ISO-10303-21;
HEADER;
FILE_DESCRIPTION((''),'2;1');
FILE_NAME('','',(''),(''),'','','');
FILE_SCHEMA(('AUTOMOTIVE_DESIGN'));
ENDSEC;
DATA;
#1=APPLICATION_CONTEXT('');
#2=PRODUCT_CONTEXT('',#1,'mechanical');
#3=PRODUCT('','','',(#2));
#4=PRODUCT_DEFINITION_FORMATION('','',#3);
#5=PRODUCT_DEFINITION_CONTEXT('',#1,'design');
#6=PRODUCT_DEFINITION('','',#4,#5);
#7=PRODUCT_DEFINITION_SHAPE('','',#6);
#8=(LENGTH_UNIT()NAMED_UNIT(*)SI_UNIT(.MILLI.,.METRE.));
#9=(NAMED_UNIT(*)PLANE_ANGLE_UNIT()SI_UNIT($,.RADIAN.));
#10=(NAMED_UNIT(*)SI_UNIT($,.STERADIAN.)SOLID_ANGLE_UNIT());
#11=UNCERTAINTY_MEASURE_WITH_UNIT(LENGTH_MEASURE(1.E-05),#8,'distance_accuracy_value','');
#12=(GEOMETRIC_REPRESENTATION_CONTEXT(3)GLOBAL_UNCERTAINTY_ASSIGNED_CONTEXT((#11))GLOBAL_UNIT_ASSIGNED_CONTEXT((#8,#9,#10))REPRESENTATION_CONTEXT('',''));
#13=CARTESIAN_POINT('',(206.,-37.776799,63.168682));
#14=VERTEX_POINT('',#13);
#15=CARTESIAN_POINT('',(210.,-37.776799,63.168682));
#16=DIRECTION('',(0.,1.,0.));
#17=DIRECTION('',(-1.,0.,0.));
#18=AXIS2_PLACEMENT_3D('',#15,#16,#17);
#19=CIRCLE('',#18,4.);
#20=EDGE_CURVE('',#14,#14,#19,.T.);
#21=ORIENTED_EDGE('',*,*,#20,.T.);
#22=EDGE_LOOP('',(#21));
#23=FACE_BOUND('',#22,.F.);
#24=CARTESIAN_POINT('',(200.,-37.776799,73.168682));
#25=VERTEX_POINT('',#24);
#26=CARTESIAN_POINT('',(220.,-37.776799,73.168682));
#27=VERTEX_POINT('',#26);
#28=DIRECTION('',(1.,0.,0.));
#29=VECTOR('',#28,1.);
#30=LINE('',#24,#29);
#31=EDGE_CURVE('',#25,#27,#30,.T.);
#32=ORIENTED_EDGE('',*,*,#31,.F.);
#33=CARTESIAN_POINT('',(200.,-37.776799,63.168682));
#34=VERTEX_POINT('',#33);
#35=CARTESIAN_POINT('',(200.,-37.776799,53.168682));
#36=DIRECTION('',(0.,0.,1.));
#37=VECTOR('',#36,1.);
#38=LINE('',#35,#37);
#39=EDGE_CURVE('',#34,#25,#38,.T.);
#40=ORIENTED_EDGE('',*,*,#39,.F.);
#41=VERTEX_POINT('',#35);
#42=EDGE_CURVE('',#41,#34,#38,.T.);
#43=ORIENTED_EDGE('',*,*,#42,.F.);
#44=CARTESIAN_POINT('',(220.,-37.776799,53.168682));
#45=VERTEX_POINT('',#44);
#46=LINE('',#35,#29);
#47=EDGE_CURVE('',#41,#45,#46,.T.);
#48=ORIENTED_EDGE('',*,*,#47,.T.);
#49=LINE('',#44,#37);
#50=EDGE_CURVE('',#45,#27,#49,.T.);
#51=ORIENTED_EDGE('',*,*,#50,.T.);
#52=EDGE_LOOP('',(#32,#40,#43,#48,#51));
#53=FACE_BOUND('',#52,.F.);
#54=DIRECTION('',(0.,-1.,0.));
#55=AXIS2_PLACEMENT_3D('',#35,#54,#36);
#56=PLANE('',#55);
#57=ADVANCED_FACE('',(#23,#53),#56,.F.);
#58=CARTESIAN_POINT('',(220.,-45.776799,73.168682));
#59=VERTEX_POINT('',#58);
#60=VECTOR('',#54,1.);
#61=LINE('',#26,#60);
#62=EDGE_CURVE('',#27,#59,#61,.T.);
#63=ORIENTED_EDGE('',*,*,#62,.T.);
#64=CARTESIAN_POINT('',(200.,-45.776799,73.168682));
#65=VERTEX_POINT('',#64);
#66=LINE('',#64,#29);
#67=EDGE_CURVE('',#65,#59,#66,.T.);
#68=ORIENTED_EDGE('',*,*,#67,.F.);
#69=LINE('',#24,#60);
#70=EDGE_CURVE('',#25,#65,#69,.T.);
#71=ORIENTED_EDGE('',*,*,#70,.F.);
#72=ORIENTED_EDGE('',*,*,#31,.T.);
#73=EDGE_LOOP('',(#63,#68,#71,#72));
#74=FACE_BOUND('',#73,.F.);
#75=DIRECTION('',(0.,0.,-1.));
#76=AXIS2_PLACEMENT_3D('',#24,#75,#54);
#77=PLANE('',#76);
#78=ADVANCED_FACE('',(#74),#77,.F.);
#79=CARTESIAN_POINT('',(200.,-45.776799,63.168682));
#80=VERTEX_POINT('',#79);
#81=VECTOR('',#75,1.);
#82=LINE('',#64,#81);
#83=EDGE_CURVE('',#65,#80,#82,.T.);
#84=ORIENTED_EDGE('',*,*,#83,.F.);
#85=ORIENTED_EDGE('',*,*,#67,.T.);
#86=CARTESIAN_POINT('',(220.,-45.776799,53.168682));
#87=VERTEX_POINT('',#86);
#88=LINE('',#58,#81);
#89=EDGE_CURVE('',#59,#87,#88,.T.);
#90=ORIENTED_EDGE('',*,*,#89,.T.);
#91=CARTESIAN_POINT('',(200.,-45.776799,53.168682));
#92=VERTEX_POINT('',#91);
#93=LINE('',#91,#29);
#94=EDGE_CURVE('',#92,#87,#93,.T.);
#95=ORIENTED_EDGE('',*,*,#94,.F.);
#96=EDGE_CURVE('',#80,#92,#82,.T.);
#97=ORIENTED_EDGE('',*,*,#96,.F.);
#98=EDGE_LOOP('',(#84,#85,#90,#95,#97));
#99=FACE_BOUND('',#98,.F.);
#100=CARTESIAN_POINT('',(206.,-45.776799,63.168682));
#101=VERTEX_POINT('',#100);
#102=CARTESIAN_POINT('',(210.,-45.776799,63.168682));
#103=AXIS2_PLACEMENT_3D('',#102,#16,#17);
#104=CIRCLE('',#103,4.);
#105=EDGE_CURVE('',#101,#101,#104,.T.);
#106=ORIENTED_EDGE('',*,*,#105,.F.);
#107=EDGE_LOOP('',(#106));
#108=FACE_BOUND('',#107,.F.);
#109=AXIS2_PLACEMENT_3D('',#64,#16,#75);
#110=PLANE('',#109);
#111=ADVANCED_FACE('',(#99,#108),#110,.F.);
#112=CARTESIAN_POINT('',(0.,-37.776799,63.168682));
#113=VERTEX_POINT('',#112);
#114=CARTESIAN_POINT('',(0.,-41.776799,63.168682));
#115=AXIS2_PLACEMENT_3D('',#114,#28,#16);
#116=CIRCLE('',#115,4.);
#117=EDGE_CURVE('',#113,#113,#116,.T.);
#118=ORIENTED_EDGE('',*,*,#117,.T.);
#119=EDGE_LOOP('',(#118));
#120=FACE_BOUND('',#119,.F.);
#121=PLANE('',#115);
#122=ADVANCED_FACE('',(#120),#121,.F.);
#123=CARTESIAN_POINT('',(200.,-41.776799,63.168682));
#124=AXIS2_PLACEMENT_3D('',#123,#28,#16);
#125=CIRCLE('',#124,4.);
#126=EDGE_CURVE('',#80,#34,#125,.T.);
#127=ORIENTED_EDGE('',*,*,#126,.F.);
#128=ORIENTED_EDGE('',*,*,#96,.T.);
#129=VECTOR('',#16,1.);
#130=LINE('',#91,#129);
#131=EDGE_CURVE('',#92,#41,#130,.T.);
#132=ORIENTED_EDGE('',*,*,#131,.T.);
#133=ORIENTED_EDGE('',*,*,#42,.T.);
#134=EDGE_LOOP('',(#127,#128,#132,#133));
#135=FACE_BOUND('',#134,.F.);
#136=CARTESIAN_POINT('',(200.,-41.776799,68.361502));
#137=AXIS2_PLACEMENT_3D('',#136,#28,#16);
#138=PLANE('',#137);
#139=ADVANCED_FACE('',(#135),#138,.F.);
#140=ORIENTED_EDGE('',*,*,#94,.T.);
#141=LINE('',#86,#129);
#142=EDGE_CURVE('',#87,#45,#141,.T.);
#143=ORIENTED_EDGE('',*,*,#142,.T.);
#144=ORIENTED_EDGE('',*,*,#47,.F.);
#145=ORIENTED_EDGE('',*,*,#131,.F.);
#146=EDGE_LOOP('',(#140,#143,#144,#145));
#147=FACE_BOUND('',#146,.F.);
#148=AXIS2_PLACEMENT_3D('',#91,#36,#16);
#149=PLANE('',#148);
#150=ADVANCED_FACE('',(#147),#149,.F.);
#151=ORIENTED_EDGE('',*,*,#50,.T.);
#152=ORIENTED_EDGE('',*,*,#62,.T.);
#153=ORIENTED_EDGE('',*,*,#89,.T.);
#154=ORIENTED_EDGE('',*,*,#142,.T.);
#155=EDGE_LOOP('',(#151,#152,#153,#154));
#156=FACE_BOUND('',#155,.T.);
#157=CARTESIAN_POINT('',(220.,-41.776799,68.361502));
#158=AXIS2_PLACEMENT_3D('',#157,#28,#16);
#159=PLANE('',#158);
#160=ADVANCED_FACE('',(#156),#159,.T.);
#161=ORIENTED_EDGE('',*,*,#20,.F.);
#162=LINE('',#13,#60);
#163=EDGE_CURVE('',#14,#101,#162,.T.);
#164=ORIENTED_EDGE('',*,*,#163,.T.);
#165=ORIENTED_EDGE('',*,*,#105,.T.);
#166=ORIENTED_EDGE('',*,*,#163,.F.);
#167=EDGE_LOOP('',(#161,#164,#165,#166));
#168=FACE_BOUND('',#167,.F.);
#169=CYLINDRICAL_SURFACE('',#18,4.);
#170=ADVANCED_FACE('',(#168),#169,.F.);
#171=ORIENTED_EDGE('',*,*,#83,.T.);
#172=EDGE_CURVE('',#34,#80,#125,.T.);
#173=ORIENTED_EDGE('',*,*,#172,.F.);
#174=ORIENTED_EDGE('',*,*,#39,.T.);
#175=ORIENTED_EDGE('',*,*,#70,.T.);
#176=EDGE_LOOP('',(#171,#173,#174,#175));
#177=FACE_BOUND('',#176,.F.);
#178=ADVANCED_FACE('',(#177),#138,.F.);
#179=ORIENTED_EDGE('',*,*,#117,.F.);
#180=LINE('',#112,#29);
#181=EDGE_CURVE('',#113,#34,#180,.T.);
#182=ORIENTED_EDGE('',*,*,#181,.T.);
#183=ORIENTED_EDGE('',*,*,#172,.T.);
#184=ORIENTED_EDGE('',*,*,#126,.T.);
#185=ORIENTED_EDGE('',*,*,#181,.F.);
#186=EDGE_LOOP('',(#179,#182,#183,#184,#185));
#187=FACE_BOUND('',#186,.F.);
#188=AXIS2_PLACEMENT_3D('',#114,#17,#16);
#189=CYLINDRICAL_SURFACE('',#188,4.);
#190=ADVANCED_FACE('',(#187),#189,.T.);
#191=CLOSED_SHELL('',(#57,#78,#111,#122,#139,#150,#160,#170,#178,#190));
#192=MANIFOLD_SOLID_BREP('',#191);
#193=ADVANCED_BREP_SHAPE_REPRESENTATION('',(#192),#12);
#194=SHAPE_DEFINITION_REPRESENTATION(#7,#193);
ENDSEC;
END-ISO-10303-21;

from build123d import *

# Parameters (mm, degrees)
F0_R     = 4
F1_DEPTH = 200
F3_DEPTH = 20
F4_R     = 4
F5_DEPTH = 25


with BuildPart() as f1:
    # F0 (on Right) → F1 (new body)
    with BuildSketch(Plane.YZ):
        with Locations((-41.776799, 63.168682)):
            Circle(F0_R)
    extrude(amount=F1_DEPTH)

    # F2 (on face) → F3 (join)
    with BuildSketch(Plane.YZ.offset(200)):
        with BuildLine():
            Line((-37.776799, 73.168682), (-45.776799, 73.168682))
            Line((-45.776799, 73.168682), (-45.776799, 63.168682))
            ThreePointArc((-45.776799, 63.168682), (-41.776799, 67.168682), (-37.776799, 63.168682))
            Line((-37.776799, 63.168682), (-37.776799, 73.168682))
        make_face()
        with BuildLine():
            ThreePointArc((-37.776799, 63.168682), (-41.776799, 67.168682), (-45.776799, 63.168682))
            ThreePointArc((-45.776799, 63.168682), (-41.776799, 59.168682), (-37.776799, 63.168682))
        make_face()
        with BuildLine():
            ThreePointArc((-37.776799, 63.168682), (-41.776799, 59.168682), (-45.776799, 63.168682))
            Line((-45.776799, 63.168682), (-45.776799, 53.168682))
            Line((-45.776799, 53.168682), (-37.776799, 53.168682))
            Line((-37.776799, 53.168682), (-37.776799, 63.168682))
        make_face()
    extrude(amount=F3_DEPTH)

    # F4 (on face) → F5 (cut)
    with BuildSketch(Plane(origin=(0, -37.776799, 0), x_dir=(-1, 0, 0), z_dir=(0, 1, 0))):
        with Locations((-210, 63.168682)):
            Circle(F4_R)
    extrude(amount=-F5_DEPTH, mode=Mode.SUBTRACT)


solid = f1.part
